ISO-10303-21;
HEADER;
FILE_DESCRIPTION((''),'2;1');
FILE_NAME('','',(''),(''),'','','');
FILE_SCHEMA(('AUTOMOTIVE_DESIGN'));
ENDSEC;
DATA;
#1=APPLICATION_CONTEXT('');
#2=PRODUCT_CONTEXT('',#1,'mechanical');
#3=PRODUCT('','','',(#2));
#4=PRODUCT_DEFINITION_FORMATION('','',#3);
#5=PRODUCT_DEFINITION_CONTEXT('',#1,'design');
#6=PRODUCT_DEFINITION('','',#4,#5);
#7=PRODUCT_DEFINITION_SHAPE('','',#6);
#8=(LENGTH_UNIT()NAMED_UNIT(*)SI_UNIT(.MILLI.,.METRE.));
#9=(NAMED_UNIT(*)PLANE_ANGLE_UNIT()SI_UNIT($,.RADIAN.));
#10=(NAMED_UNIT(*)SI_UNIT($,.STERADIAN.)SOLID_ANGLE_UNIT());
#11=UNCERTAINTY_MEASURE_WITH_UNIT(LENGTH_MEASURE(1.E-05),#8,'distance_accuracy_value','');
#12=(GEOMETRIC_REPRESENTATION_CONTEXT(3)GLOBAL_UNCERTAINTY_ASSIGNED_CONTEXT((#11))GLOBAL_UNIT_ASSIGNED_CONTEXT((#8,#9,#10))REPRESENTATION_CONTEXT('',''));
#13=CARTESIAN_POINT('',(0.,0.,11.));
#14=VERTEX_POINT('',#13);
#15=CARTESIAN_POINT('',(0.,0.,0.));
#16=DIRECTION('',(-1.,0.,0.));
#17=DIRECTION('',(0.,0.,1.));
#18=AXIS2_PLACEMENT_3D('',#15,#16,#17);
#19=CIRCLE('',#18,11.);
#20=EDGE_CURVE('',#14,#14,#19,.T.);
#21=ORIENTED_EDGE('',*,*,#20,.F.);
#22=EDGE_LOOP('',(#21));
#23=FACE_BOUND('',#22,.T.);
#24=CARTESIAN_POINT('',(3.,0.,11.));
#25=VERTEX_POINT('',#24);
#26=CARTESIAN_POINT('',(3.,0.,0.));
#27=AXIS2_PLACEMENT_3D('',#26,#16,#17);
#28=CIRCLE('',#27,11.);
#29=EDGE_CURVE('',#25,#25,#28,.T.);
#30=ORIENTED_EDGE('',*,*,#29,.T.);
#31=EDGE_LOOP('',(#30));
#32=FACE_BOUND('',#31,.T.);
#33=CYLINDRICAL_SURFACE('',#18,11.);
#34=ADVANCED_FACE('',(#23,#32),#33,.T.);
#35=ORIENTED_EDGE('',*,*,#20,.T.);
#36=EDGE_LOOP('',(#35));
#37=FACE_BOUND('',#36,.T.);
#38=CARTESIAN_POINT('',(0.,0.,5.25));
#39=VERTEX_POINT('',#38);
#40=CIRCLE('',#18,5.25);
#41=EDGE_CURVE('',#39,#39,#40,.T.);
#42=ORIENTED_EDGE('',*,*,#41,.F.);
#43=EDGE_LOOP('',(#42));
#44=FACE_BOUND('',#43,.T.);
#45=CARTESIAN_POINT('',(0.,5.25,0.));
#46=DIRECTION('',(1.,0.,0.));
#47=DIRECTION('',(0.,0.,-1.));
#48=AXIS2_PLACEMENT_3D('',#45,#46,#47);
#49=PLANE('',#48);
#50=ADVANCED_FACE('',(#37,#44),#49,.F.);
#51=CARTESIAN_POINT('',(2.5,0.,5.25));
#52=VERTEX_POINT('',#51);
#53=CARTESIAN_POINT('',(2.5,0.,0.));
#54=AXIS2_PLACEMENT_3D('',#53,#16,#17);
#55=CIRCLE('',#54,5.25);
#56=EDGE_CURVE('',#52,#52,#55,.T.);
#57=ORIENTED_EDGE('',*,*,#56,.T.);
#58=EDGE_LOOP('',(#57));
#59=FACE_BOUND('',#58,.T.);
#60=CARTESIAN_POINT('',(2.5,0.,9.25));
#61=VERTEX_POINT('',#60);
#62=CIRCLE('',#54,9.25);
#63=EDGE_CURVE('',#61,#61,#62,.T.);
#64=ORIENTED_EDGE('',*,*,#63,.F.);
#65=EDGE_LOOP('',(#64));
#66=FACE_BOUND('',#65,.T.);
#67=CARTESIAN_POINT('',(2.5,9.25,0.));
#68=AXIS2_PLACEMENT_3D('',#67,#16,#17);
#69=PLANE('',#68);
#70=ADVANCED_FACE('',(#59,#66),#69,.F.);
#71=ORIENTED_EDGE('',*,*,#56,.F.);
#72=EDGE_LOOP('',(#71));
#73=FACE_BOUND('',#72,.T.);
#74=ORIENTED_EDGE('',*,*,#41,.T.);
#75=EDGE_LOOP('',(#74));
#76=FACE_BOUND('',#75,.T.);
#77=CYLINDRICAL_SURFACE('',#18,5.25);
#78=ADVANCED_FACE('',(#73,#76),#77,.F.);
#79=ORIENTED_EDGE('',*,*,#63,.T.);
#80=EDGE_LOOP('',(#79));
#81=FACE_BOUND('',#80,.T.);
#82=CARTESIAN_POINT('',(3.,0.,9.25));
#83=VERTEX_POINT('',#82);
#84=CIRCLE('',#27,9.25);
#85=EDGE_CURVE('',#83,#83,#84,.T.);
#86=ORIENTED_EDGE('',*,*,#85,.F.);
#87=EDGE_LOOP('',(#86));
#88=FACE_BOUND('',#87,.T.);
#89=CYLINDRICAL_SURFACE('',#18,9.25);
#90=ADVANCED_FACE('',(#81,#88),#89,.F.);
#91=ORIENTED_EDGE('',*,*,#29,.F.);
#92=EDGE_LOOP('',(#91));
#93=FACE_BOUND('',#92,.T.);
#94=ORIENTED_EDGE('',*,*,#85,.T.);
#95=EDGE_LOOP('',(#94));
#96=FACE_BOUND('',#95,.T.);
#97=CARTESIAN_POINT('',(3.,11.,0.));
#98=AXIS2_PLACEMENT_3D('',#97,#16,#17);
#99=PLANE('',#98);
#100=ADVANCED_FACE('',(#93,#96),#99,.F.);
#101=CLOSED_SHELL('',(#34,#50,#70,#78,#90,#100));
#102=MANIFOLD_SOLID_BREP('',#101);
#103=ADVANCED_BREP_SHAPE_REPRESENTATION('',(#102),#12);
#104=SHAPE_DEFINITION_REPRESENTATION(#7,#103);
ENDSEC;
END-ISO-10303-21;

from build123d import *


with BuildPart() as part:
    # 草图1 → 旋转1 (revolve)
    with BuildSketch(Plane.XY):
        Polygon((0, 5.25), (0, 11), (3, 11), (3, 9.25), (2.5, 9.25), (2.5, 5.25), align=None)
    revolve(axis=Axis((0, 0, 0), (1, 0, 0)))


solid = part.part
